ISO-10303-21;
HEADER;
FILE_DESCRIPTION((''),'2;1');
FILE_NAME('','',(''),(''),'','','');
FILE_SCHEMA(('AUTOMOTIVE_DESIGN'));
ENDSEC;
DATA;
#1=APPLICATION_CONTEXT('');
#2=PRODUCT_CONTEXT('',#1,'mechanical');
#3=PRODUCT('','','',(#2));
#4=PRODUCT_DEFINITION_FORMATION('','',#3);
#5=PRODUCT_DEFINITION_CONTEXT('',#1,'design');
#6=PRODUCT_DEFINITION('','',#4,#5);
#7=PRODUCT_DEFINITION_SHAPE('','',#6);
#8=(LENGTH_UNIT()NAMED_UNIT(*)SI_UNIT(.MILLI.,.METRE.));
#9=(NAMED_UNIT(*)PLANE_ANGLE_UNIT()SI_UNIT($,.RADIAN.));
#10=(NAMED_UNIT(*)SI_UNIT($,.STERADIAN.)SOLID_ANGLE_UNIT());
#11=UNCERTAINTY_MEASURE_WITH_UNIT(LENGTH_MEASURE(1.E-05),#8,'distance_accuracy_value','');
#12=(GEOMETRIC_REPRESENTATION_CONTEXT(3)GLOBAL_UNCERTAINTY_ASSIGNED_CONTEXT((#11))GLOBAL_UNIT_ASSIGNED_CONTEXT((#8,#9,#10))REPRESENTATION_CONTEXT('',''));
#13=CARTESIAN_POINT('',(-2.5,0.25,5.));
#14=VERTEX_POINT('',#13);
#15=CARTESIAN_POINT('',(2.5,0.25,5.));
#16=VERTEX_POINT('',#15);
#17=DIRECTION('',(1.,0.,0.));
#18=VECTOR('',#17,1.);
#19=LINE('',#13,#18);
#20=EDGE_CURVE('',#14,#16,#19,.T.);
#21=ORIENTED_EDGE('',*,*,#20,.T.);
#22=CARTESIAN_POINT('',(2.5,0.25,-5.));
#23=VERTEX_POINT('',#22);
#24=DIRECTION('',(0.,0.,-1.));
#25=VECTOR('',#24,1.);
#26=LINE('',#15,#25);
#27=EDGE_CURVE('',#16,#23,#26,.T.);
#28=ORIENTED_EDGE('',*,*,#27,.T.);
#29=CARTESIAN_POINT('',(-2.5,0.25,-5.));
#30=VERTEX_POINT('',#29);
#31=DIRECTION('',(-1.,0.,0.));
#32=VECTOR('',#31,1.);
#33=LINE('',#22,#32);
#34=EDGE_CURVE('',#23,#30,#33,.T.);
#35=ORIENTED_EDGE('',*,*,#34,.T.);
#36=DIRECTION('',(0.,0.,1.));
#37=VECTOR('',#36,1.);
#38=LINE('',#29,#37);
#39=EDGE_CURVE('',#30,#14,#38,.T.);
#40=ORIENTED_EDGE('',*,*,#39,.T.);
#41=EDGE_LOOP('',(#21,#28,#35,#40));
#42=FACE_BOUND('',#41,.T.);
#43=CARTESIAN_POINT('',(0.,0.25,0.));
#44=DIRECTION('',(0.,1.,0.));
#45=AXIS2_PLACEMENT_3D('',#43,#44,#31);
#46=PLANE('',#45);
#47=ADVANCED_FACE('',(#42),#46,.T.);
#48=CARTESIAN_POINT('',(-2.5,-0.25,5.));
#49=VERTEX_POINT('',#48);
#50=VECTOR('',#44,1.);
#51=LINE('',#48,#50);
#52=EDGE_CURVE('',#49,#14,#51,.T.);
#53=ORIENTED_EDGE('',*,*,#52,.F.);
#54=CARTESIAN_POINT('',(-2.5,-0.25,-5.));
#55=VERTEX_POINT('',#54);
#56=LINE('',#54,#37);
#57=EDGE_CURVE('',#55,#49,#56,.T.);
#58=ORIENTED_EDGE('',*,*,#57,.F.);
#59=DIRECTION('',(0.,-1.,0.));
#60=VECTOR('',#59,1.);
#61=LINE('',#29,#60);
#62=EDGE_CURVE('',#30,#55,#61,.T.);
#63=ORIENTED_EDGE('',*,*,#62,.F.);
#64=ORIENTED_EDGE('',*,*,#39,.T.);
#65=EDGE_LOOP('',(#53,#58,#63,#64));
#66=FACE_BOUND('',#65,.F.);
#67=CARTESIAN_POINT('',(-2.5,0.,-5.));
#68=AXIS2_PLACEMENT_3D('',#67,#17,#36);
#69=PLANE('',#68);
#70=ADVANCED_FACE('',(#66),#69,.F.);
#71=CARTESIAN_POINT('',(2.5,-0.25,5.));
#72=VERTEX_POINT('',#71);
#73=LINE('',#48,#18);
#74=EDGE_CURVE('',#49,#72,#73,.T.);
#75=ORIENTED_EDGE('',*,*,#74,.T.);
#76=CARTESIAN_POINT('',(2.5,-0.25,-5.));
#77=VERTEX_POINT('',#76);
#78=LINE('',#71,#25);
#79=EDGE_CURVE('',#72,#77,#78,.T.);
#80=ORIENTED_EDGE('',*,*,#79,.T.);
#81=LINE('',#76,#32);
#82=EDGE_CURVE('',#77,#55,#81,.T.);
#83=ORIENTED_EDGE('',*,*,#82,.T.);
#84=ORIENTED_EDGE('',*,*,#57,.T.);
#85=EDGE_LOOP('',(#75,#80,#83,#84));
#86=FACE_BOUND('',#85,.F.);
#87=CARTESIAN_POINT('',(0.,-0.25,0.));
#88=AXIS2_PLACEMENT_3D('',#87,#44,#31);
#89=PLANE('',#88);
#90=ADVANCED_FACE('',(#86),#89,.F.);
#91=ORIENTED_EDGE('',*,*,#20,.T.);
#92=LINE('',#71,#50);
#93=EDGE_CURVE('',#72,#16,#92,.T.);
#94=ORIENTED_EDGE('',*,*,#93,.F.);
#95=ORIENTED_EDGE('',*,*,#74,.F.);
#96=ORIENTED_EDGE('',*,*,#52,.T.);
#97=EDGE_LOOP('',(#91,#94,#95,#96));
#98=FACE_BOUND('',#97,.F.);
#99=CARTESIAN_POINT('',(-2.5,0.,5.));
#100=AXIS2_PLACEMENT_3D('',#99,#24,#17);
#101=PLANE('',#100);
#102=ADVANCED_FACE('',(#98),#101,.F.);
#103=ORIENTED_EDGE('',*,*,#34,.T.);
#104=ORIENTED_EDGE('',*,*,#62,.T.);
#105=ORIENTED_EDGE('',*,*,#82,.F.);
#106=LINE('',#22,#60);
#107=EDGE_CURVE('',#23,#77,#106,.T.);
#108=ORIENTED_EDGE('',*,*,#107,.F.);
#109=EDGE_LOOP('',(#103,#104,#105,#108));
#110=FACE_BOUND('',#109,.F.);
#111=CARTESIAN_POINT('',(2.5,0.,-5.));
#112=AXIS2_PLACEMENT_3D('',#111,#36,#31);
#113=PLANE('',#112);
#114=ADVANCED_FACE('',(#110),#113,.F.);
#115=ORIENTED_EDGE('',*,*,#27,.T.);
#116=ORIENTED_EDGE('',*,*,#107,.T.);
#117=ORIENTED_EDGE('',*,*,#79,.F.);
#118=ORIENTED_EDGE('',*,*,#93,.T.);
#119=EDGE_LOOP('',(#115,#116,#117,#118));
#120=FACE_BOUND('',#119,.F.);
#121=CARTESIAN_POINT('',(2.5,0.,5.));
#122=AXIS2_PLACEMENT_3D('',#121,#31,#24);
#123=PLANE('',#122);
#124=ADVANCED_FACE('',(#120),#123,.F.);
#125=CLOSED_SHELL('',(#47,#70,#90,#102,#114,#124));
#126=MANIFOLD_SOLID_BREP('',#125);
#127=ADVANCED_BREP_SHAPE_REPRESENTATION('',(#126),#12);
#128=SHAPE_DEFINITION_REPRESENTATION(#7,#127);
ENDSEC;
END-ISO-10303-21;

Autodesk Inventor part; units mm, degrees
ref_plane "YZ Plane" through (0, 0, 0) normal (1, 0, 0) x (0, 1, 0)
ref_plane "XZ Plane" through (0, 0, 0) normal (0, 1, 0) x (-1, 0, 0)
ref_plane "XY Plane" through (0, 0, 0) normal (0, 0, 1) x (1, 0, 0)
sketch "Sketch1" plane through (0, 0, 0) normal (0, 1, 0) x (-1, 0, 0)
  line L0 (2.5, 5) -> (-2.5, 5)
  line L1 (-2.5, 5) -> (-2.5, -5)
  line L2 (-2.5, -5) -> (2.5, -5)
  line L3 (2.5, -5) -> (2.5, 5)
  line L4 (2.5, 5) -> (-2.5, -5) construction
  line L5 (-2.5, 5) -> (2.5, -5) construction
  point P0 (0, 0)
  dimension "d0" = 10
  dimension "d1" = 5
extrude "Extrusion1" add sketch "Sketch1" along normal mid plane 0.5
sketch "Sketch2" plane through (0, 0.25, 0) normal (0, 1, 0) x (1, 0, 0)
  line L0 (0, -6.9087) -> (0, 6.9087)
  point P0 (0, 0)
  point P1 (0, 0)
properties part number "RubayetChip"
